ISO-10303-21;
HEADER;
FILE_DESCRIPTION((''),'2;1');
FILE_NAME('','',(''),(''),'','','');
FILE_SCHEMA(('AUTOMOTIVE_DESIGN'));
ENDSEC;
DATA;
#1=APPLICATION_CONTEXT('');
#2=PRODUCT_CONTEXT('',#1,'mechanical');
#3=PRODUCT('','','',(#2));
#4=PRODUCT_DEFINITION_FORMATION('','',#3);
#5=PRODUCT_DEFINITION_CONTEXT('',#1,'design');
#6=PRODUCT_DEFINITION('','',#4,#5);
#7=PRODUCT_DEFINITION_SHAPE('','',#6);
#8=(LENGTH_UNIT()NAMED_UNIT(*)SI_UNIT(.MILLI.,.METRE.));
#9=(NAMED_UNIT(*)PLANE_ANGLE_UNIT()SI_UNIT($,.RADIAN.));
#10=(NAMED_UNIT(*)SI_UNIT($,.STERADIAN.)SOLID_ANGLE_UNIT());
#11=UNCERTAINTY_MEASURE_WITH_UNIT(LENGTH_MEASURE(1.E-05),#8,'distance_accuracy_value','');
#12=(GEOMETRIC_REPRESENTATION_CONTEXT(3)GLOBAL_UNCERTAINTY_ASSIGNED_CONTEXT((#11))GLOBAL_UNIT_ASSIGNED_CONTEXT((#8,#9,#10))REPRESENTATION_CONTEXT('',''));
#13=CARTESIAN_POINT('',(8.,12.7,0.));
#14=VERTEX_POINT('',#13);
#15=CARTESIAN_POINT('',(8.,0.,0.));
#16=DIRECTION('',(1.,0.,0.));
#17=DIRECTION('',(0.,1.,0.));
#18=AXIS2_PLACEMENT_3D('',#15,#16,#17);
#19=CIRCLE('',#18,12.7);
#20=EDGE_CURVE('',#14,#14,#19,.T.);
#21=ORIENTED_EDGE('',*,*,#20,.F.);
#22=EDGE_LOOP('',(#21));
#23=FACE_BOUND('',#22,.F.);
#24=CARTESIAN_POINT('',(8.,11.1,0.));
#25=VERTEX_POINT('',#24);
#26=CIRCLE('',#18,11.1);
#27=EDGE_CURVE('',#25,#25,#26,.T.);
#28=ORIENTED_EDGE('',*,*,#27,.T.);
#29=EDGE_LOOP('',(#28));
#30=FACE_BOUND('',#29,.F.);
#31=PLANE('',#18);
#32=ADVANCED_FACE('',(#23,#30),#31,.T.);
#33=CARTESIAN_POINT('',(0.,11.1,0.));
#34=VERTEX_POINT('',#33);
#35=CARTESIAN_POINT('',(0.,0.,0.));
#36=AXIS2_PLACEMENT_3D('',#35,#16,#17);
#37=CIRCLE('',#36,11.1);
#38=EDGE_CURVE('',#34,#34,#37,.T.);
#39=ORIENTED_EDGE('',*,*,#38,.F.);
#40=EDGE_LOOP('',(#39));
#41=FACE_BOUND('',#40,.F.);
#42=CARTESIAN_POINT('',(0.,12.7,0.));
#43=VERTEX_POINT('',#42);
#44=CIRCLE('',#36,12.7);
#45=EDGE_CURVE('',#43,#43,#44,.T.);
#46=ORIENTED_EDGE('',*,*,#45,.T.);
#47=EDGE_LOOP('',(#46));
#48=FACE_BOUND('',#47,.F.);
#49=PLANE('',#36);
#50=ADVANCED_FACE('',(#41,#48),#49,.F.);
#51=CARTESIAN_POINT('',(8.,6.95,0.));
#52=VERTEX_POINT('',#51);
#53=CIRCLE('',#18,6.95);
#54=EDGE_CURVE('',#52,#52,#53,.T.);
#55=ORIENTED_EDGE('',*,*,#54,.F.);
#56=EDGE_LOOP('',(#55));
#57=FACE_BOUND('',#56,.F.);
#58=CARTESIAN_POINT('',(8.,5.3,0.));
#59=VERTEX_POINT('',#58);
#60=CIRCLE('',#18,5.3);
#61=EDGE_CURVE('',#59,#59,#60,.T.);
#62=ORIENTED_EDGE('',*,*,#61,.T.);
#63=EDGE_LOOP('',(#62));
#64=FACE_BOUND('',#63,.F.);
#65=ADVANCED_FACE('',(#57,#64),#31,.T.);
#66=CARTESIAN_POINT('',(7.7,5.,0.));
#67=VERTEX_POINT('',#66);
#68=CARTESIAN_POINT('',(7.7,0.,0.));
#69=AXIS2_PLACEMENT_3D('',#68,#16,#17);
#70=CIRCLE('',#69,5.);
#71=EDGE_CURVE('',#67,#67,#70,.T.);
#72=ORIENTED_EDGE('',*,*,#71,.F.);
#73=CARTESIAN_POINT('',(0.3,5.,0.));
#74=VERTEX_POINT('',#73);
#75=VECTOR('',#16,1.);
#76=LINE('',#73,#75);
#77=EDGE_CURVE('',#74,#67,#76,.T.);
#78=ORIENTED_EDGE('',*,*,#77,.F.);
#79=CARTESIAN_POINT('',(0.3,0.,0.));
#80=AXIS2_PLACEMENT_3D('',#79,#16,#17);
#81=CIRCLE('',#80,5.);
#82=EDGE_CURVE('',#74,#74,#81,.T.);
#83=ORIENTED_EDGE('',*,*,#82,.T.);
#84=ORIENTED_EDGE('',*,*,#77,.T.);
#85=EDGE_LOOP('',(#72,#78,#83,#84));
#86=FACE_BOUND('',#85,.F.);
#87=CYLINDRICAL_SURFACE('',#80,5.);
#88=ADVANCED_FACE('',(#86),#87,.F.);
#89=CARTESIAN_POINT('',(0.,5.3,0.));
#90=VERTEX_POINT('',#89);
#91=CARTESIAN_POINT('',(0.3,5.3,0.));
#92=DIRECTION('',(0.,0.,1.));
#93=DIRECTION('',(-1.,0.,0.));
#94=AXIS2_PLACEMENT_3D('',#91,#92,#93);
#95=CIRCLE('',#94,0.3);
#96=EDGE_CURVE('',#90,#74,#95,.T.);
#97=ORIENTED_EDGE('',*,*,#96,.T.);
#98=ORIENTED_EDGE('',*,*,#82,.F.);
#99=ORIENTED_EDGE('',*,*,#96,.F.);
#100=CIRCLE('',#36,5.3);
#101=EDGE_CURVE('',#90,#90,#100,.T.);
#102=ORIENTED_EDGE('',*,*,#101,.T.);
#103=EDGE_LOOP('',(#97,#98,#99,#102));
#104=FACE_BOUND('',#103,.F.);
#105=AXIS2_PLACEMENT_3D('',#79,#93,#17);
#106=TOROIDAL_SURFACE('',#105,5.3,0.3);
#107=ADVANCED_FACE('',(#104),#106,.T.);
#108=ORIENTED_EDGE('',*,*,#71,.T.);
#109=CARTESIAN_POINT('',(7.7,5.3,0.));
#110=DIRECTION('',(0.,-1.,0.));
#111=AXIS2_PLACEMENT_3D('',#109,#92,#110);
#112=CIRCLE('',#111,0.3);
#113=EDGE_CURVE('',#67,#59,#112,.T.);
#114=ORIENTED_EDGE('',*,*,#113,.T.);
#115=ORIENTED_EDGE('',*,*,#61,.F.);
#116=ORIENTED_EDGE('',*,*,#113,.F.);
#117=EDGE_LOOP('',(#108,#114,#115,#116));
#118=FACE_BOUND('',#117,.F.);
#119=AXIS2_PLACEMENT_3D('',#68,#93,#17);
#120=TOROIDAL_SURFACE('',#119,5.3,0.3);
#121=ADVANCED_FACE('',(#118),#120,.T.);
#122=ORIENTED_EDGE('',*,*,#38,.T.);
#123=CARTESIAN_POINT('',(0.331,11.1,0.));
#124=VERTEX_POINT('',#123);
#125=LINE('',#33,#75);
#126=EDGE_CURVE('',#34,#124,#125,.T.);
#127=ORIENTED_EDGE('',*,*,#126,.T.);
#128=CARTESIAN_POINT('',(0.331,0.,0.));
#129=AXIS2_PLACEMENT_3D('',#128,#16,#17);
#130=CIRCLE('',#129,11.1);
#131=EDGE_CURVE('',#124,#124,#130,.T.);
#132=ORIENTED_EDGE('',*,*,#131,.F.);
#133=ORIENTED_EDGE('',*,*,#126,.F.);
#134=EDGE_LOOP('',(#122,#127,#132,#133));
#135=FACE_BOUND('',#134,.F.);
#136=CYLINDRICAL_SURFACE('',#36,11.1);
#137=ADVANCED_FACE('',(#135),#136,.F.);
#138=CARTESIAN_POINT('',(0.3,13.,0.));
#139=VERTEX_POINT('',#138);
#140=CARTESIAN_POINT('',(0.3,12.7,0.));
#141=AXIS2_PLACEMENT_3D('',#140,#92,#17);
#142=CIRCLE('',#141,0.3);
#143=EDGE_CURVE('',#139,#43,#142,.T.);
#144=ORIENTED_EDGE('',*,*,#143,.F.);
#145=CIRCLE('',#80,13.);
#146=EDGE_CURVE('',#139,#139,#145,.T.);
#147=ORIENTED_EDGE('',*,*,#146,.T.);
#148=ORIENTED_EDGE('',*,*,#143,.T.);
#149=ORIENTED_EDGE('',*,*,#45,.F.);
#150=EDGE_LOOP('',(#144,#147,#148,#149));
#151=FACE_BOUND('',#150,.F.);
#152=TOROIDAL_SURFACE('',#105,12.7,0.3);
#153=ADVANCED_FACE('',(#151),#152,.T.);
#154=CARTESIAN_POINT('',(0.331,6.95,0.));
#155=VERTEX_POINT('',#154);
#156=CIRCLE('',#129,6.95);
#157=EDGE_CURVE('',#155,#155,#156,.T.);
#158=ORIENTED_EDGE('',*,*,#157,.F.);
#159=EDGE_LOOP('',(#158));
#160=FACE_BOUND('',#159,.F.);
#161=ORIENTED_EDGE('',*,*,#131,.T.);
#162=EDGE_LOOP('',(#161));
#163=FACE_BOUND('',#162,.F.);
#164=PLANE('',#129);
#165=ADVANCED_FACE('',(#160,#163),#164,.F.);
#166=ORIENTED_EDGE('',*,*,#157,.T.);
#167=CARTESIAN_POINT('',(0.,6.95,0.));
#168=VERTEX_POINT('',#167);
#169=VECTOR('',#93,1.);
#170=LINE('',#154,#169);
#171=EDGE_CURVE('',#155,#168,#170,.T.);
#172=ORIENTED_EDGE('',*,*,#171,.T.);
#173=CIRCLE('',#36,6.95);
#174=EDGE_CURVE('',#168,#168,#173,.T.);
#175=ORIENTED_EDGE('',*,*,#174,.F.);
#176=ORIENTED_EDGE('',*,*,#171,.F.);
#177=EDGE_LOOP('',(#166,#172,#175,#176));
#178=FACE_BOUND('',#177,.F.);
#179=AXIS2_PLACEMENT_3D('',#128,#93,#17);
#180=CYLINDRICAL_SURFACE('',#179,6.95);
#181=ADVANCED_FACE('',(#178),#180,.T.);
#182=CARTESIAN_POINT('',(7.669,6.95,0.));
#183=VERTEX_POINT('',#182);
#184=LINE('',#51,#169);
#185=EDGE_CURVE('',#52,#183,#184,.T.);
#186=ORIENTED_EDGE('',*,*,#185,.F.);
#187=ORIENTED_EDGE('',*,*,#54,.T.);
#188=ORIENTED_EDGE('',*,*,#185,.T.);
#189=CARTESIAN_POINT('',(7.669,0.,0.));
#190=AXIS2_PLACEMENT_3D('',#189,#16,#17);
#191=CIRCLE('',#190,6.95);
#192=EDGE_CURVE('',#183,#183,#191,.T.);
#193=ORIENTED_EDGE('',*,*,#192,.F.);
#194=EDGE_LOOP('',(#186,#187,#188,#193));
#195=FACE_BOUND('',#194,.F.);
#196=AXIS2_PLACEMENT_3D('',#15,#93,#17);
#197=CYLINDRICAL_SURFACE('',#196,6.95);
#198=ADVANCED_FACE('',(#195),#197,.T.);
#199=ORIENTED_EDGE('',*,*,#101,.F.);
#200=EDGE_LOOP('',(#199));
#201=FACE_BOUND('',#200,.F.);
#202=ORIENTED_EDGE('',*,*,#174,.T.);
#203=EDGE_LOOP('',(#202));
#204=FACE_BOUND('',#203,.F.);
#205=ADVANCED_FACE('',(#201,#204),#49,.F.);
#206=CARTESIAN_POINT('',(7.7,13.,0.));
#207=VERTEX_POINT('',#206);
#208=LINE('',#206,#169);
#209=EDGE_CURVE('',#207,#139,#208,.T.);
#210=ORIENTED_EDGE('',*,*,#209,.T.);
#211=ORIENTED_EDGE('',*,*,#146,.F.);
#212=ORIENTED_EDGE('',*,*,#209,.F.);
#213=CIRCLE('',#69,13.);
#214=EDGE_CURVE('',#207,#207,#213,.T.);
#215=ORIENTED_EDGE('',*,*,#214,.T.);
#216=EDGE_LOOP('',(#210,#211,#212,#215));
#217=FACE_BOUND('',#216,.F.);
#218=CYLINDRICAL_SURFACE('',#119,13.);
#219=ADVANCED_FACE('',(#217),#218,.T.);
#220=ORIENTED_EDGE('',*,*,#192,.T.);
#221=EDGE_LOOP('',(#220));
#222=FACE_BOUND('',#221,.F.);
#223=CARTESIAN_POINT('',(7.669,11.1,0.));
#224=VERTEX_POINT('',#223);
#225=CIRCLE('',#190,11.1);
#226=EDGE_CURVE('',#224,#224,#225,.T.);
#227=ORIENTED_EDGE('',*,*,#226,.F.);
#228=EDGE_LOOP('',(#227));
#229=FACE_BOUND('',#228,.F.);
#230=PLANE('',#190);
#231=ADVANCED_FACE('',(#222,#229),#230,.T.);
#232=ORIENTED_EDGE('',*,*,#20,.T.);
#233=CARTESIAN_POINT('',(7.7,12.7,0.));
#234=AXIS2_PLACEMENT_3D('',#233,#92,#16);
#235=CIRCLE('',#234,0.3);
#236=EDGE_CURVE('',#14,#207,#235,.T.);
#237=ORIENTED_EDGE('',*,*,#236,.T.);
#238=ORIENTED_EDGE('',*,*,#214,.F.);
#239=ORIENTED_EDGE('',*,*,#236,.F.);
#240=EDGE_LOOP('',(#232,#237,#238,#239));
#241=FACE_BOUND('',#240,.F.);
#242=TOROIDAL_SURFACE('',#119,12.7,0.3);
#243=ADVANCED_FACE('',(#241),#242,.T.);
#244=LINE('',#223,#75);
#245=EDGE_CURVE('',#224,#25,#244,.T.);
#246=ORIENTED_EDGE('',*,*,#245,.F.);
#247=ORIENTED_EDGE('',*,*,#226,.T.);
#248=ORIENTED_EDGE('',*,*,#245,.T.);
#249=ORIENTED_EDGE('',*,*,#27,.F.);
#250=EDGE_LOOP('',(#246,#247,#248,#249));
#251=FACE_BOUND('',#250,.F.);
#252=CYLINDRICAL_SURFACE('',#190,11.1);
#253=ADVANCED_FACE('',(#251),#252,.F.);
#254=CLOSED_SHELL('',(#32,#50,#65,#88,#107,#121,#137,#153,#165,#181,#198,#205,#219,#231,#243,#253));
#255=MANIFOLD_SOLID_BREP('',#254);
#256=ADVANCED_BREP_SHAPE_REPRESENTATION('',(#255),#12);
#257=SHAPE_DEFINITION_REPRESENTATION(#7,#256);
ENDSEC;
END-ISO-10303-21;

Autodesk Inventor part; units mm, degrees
sketch "Sketch_1" plane through (0, 0, 0) normal (0, 0, 1) x (1, 0, 0)
  line L0 (8, 0) -> (0, 0)
  arc A0 (0, 5.3) -> (0.3, 5) centre (0.3, 5.3) ccw
  line L1 (0.3, 5) -> (7.7, 5)
  arc A1 (7.7, 5) -> (8, 5.3) centre (7.7, 5.3) ccw
  line L2 (8, 5.3) -> (8, 6.95)
  line L3 (8, 6.95) -> (7.669, 6.95)
  line L4 (7.669, 6.95) -> (7.669, 11.1)
  line L5 (7.669, 11.1) -> (8, 11.1)
  line L6 (8, 11.1) -> (8, 12.7)
  arc A2 (8, 12.7) -> (7.7, 13) centre (7.7, 12.7) ccw
  line L7 (7.7, 13) -> (0.3, 13)
  arc A3 (0.3, 13) -> (0, 12.7) centre (0.3, 12.7) ccw
  line L8 (0, 12.7) -> (0, 11.1)
  line L9 (0, 11.1) -> (0.331, 11.1)
  line L10 (0.331, 11.1) -> (0.331, 6.95)
  line L11 (0.331, 6.95) -> (0, 6.95)
  line L12 (0, 6.95) -> (0, 5.3)
revolve "Revolution1" add sketch "Sketch_1" angle 360 about axis through (8, 0, 0) along (1, 0, 0)
ref_plane "center_point_XY" through (4, 0, 0) normal (1, 0, 0) x (0, 0, -1)
ref_plane "center_point_YZ" through (4, 0, 0) normal (0, 0, -1) x (0, 1, 0)
ref_plane "center_point_ZX" through (4, 0, 0) normal (0, 1, 0) x (1, 0, 0)
ref_plane "to_housing_XY" through (0, 0, 0) normal (1, 0, 0) x (0, 0, -1)
ref_plane "to_housing_YZ" through (0, 0, 0) normal (0, 0, -1) x (0, 1, 0)
ref_plane "to_housing_ZX" through (0, 0, 0) normal (0, 1, 0) x (1, 0, 0)
ref_plane "to_ring_XY" through (7.338, 0, 0) normal (1, 0, 0) x (0, 0, -1)
ref_plane "to_ring_YZ" through (7.338, 0, 0) normal (0, 0, -1) x (0, 1, 0)
ref_plane "to_ring_ZX" through (7.338, 0, 0) normal (0, 1, 0) x (1, 0, 0)
properties part number "bearing_6000"
